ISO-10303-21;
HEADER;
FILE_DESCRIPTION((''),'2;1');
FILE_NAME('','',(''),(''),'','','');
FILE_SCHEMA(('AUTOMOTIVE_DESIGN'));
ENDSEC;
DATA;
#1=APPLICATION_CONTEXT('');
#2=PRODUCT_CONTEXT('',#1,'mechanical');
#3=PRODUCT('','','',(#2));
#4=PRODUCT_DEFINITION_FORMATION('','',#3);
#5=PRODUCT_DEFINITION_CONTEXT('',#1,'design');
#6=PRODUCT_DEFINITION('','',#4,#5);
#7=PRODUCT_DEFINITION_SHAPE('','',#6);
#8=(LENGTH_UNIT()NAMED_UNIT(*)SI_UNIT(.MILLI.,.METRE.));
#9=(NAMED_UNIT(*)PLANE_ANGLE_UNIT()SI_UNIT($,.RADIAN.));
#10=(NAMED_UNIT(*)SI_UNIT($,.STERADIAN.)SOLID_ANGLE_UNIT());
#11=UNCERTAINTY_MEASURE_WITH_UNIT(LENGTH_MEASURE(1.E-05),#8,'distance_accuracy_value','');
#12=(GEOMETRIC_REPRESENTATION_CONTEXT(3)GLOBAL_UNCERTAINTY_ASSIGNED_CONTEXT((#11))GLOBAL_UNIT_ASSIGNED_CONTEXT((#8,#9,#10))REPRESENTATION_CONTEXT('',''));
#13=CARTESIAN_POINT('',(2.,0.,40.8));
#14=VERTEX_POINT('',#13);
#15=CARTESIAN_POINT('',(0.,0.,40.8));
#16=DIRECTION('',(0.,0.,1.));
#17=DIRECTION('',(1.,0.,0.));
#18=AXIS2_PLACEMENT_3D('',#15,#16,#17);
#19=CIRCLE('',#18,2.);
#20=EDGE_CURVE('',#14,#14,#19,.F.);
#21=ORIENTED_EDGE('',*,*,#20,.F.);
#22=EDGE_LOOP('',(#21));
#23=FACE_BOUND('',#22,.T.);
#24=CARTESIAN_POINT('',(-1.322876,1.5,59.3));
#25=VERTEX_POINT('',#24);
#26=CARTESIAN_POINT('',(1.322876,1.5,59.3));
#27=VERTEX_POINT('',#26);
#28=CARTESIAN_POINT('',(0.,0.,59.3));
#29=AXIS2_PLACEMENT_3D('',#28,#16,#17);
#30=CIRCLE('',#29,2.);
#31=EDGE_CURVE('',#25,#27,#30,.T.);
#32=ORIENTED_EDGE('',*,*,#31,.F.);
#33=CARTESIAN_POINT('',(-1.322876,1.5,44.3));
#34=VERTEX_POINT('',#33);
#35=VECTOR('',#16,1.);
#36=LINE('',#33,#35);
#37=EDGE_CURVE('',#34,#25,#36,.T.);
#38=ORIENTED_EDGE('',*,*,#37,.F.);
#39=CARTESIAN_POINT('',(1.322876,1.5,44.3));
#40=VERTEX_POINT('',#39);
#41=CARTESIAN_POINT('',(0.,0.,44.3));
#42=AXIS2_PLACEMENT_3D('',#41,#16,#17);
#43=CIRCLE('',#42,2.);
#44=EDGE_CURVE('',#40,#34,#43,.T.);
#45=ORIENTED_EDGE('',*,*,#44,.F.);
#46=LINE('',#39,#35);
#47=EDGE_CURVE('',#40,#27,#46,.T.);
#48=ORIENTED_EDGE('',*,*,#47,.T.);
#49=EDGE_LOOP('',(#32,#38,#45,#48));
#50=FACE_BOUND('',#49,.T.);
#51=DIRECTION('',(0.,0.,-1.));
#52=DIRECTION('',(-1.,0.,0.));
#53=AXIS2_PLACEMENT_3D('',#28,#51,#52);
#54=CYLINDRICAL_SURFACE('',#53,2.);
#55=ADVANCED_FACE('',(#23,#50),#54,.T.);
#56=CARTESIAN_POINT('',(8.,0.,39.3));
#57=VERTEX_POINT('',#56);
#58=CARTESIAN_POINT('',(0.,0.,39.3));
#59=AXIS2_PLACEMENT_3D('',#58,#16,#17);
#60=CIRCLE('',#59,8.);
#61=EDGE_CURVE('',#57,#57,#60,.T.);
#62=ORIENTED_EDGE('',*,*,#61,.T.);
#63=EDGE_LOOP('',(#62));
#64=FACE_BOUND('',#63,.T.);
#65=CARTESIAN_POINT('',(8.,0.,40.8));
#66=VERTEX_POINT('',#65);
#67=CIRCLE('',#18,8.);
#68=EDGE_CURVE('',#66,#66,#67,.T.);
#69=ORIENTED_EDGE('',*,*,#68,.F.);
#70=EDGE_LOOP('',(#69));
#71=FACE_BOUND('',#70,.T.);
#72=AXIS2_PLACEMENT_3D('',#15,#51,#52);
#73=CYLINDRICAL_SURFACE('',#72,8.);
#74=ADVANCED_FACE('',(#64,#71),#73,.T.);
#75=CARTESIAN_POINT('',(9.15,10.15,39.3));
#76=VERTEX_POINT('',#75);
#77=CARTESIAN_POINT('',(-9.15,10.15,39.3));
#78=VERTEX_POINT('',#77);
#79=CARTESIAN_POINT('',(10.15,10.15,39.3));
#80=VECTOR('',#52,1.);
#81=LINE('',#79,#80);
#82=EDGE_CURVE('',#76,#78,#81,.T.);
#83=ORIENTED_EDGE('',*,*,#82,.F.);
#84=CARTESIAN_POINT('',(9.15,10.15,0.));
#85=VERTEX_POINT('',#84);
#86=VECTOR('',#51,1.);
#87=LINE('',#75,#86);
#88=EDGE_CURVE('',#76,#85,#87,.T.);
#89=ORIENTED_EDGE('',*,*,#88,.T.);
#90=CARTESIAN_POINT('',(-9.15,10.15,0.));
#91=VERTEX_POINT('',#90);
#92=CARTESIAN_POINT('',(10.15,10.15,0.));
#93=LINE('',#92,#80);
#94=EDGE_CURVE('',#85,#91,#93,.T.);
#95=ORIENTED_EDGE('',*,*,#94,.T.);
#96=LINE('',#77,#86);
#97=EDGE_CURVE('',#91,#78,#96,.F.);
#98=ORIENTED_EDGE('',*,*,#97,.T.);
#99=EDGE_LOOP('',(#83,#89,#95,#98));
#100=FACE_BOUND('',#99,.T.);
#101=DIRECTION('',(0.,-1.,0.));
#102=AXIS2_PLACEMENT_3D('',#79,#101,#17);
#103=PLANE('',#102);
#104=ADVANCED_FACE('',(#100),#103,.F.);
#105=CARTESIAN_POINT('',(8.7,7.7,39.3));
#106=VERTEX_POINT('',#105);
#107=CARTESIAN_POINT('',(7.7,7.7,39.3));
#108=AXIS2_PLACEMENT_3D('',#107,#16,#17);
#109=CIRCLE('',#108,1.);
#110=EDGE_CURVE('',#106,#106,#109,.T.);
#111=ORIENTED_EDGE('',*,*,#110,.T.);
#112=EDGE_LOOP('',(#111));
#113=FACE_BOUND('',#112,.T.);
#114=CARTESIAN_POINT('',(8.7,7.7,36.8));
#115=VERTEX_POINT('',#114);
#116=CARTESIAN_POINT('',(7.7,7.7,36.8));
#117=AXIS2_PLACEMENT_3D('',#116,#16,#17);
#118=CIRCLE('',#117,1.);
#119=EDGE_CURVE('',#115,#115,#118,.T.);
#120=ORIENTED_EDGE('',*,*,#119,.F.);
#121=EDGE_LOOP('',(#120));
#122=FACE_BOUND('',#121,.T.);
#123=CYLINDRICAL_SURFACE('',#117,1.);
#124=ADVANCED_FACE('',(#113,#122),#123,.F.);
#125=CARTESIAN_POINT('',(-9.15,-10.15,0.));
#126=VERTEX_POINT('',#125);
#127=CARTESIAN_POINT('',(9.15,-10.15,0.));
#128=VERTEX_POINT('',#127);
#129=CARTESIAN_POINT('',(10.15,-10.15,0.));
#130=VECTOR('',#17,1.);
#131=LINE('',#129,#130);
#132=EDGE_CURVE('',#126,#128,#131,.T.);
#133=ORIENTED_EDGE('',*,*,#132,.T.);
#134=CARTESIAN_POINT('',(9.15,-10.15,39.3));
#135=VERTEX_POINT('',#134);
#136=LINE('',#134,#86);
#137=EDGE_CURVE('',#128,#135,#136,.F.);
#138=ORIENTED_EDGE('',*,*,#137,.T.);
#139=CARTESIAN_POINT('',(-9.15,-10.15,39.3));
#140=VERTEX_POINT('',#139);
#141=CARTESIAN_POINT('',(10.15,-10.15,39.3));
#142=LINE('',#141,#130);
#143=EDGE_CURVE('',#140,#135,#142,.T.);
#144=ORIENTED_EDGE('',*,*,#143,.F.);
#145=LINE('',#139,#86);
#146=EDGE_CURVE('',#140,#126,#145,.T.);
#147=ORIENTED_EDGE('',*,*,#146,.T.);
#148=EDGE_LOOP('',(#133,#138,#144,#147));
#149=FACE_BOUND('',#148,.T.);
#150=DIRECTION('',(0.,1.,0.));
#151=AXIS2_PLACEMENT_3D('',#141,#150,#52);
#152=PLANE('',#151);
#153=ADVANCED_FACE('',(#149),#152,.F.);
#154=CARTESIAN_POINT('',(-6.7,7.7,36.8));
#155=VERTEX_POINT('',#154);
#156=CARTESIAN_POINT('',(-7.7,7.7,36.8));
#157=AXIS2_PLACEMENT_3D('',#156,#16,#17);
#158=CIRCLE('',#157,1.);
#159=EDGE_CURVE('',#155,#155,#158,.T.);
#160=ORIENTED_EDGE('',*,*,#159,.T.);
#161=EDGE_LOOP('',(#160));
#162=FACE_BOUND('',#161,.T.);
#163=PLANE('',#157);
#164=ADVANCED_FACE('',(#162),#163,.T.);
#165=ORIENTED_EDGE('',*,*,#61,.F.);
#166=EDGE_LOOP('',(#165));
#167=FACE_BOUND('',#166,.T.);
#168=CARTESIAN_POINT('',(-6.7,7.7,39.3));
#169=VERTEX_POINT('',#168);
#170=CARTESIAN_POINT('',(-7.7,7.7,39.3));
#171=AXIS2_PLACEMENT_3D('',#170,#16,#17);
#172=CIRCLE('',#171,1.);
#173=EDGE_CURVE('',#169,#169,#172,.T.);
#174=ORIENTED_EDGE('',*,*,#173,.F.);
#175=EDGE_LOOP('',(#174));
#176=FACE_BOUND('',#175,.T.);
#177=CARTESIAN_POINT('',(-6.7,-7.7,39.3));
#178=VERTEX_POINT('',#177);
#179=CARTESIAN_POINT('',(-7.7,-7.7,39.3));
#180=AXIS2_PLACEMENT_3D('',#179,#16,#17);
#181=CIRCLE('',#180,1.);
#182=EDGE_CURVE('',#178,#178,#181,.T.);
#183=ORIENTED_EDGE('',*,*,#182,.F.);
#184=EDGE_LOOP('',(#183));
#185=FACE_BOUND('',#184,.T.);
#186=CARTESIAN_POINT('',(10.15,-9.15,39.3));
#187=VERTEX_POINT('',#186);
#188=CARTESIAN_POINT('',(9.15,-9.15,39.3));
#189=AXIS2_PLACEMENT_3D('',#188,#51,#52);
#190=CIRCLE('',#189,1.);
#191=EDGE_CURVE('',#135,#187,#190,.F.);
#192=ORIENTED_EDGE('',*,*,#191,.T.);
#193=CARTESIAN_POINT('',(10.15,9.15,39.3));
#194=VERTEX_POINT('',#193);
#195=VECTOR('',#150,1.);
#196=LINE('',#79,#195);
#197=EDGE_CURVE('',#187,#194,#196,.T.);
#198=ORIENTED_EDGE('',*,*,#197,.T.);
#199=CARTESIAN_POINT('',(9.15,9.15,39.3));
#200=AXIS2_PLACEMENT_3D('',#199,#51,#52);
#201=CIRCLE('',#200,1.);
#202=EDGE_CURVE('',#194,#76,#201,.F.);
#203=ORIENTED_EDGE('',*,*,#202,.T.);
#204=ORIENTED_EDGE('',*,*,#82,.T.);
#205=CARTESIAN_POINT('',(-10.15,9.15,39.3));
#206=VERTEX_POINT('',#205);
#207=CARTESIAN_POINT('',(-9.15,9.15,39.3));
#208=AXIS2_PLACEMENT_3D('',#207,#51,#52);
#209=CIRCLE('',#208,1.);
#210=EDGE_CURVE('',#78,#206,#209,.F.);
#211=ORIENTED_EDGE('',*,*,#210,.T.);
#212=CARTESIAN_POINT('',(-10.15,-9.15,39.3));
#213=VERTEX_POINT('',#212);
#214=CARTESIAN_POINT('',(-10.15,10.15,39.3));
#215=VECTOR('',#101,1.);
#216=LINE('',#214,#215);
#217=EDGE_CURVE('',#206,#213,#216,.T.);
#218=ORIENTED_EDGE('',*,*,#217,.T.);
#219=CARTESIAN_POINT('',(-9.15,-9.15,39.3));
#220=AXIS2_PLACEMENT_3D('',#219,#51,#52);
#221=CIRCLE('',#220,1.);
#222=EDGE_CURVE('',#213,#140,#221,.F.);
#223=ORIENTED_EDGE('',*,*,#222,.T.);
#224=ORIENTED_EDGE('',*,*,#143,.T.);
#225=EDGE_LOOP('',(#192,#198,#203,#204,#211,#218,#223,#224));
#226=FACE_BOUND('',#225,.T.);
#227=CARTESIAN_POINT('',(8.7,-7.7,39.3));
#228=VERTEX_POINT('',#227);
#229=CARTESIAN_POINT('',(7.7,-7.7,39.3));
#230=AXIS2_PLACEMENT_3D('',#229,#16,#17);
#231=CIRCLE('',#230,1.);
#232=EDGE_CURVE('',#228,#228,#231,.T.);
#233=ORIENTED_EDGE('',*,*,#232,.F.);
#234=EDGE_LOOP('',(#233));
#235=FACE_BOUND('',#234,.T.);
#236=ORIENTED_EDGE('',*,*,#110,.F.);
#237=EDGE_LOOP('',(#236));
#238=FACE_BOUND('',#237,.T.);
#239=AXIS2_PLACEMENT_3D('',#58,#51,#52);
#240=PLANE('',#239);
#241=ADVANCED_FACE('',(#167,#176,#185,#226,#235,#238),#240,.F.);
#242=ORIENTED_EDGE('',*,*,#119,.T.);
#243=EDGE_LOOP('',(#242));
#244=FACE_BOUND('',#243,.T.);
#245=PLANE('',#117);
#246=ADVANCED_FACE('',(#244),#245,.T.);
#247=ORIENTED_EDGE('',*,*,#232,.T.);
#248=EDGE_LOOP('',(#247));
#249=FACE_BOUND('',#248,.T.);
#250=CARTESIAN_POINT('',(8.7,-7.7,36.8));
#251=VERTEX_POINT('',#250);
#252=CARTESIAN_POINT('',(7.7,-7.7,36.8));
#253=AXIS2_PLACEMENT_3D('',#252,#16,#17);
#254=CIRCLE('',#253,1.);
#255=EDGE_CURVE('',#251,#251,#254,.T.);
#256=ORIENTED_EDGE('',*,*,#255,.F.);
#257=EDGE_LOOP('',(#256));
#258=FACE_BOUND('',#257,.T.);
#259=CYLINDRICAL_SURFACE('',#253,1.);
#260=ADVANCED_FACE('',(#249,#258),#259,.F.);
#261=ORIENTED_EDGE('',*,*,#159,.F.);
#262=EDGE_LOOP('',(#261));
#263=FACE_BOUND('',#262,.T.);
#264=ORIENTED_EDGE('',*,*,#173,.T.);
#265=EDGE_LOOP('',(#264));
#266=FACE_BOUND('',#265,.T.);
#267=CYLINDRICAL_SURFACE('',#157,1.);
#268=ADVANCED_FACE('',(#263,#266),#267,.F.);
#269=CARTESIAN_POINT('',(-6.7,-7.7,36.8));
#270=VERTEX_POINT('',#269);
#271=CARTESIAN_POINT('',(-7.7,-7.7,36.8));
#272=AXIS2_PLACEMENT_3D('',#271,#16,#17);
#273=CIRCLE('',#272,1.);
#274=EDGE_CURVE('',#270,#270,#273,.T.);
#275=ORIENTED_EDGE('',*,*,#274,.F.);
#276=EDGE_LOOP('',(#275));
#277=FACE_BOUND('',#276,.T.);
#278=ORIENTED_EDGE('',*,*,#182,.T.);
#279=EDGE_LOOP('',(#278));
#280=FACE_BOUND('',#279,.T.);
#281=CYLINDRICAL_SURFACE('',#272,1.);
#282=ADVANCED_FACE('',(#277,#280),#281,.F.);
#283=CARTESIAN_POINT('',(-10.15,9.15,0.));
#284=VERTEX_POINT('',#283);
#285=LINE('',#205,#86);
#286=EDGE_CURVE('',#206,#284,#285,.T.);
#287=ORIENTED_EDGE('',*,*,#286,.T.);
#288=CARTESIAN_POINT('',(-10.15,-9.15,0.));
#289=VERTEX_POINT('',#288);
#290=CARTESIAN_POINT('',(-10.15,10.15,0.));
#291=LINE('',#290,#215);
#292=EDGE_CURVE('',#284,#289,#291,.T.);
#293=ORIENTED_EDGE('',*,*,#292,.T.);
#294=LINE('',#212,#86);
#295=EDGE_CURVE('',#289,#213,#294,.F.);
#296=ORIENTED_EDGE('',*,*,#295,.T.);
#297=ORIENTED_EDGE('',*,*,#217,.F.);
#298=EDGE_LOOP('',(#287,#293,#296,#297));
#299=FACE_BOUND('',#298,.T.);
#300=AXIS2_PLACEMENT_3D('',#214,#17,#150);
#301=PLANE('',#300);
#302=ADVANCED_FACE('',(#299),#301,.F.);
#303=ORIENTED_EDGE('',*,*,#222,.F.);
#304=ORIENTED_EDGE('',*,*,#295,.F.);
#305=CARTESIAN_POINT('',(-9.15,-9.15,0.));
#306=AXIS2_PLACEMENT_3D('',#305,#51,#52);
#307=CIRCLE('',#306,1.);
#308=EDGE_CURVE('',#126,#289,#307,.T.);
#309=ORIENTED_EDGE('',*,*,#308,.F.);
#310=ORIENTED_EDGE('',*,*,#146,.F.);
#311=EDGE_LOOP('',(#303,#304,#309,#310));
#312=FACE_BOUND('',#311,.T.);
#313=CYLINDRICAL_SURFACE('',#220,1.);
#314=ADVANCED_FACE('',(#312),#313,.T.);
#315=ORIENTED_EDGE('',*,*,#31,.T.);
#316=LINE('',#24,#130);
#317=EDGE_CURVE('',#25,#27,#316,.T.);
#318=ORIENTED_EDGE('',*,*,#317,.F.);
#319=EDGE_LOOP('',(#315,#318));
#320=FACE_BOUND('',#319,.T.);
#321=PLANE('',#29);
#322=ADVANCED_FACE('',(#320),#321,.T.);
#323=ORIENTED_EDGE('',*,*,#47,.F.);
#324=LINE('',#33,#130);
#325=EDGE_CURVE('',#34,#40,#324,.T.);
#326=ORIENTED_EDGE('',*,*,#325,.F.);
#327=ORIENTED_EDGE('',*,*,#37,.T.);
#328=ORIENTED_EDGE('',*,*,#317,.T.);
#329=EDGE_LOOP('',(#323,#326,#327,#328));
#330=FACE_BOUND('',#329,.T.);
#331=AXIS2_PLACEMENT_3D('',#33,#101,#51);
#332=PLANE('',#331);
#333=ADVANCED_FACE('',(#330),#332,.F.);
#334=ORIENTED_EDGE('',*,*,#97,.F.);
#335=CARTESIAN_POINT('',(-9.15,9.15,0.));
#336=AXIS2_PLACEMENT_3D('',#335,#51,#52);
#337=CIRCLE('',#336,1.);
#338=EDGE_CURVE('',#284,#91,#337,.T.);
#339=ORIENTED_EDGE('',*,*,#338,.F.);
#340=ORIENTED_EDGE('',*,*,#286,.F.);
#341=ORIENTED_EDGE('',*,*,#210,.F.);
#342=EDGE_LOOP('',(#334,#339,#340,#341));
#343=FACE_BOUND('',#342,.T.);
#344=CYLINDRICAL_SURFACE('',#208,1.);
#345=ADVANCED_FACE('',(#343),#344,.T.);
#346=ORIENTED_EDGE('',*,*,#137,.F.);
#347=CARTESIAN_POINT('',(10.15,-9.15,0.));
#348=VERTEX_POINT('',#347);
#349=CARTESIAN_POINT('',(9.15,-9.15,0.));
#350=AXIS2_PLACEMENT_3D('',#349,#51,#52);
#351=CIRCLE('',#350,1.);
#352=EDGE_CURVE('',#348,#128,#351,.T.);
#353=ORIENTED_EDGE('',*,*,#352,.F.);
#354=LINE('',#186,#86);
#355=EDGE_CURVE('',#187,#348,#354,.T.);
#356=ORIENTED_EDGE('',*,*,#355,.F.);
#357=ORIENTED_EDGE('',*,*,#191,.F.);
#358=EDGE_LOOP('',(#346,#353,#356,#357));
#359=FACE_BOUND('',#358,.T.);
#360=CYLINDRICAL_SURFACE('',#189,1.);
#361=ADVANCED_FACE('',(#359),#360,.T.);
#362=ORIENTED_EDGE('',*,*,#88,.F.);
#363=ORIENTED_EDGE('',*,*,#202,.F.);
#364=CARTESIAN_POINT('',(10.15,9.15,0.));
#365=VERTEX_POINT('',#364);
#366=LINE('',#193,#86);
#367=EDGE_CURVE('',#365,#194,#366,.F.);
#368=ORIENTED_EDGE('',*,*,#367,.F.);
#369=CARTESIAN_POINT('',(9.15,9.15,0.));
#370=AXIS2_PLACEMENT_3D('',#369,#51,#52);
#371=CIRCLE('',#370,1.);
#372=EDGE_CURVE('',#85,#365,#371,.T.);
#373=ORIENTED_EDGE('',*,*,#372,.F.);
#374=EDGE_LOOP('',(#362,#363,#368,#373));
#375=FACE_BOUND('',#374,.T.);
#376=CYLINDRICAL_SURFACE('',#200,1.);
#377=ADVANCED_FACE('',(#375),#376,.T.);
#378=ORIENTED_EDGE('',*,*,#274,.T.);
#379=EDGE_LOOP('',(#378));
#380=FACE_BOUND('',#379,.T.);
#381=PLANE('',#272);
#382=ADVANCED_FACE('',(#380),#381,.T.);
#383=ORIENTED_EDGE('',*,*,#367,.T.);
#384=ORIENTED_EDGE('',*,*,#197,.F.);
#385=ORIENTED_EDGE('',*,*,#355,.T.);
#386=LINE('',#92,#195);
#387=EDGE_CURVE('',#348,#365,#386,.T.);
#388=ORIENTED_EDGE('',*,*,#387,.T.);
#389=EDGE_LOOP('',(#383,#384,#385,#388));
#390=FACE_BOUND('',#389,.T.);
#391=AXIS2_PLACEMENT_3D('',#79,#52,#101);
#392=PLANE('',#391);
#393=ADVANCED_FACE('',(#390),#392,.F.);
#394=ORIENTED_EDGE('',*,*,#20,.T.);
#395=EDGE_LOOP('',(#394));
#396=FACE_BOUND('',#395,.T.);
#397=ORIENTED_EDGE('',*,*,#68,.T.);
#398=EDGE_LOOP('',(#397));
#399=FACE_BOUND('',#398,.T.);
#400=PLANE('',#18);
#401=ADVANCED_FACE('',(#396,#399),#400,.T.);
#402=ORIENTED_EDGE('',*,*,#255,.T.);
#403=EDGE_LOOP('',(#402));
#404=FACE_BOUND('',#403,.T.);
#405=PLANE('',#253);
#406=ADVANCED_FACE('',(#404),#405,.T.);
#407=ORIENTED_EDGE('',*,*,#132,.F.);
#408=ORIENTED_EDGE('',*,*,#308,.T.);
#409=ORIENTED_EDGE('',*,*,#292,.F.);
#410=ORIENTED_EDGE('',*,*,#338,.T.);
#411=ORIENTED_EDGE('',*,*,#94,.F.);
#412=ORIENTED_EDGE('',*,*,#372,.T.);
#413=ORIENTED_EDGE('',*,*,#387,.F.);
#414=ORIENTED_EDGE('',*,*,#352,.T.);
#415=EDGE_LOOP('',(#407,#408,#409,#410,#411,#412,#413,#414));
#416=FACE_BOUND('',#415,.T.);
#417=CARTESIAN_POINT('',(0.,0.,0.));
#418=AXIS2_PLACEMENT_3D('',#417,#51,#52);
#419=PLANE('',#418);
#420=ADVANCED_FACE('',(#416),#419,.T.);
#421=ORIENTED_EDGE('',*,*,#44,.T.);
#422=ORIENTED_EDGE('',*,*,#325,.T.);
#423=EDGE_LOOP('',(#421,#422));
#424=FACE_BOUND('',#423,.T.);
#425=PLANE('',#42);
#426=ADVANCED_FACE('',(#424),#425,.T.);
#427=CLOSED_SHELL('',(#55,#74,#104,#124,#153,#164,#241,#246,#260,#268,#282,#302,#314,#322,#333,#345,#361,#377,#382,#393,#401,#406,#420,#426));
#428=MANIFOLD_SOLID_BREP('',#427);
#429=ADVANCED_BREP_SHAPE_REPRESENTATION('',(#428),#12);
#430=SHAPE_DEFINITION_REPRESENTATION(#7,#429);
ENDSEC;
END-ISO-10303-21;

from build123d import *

# Parameters (mm, degrees)
SKETCH1_W           = 20.3
SKETCH1_H           = 20.3
BOSS_EXTRUDE1_DEPTH = 39.3
FILLET1_R           = 1
SKETCH2_R           = 1
CUT_EXTRUDE1_DEPTH  = 2.5
SKETCH3_R           = 8
BOSS_EXTRUDE2_DEPTH = 1.5
SKETCH5_R           = 2
BOSS_EXTRUDE3_DEPTH = 20
CUT_EXTRUDE2_START  = -15
CUT_EXTRUDE2_DEPTH  = 15


with BuildPart() as part:
    # Sketch1 → Boss-Extrude1 (new body)
    with BuildSketch(Plane.XY):
        Rectangle(SKETCH1_W, SKETCH1_H)
    extrude(amount=BOSS_EXTRUDE1_DEPTH)

    # Fillet1
    fillet1_edges = [part.edges().sort_by_distance(p)[0] for p in [
        (-10.15, 10.15, 19.65),
        (10.15, 10.15, 19.65),
        (10.15, -10.15, 19.65),
        (-10.15, -10.15, 19.65),
    ]]
    fillet(fillet1_edges, radius=FILLET1_R)

    # Sketch2 → Cut-Extrude1 (cut)
    with BuildSketch(Plane.XY.offset(39.3)):
        with Locations((-7.7, 7.7)):
            Circle(SKETCH2_R)
        with Locations((-7.7, -7.7)):
            Circle(SKETCH2_R)
        with Locations((7.7, -7.7)):
            Circle(SKETCH2_R)
        with Locations((7.7, 7.7)):
            Circle(SKETCH2_R)
    extrude(amount=-CUT_EXTRUDE1_DEPTH, mode=Mode.SUBTRACT)

    # Sketch3 → Boss-Extrude2 (add)
    with BuildSketch(Plane.XY.offset(39.3)):
        Circle(SKETCH3_R)
    extrude(amount=BOSS_EXTRUDE2_DEPTH)

    # Sketch5 → Boss-Extrude3 (add)
    with BuildSketch(Plane.XY.offset(39.3)):
        Circle(SKETCH5_R)
    extrude(amount=BOSS_EXTRUDE3_DEPTH)

    # Sketch6 → Cut-Extrude2 (cut)
    with BuildSketch(Plane.XY.offset(59.3).offset(CUT_EXTRUDE2_START)):
        with BuildLine():
            Line((-1.322875656, 1.5), (1.322875656, 1.5))
            ThreePointArc((1.322875656, 1.5), (0, 2), (-1.322875656, 1.5))
        make_face()
    extrude(amount=CUT_EXTRUDE2_DEPTH, mode=Mode.SUBTRACT)


solid = part.part
